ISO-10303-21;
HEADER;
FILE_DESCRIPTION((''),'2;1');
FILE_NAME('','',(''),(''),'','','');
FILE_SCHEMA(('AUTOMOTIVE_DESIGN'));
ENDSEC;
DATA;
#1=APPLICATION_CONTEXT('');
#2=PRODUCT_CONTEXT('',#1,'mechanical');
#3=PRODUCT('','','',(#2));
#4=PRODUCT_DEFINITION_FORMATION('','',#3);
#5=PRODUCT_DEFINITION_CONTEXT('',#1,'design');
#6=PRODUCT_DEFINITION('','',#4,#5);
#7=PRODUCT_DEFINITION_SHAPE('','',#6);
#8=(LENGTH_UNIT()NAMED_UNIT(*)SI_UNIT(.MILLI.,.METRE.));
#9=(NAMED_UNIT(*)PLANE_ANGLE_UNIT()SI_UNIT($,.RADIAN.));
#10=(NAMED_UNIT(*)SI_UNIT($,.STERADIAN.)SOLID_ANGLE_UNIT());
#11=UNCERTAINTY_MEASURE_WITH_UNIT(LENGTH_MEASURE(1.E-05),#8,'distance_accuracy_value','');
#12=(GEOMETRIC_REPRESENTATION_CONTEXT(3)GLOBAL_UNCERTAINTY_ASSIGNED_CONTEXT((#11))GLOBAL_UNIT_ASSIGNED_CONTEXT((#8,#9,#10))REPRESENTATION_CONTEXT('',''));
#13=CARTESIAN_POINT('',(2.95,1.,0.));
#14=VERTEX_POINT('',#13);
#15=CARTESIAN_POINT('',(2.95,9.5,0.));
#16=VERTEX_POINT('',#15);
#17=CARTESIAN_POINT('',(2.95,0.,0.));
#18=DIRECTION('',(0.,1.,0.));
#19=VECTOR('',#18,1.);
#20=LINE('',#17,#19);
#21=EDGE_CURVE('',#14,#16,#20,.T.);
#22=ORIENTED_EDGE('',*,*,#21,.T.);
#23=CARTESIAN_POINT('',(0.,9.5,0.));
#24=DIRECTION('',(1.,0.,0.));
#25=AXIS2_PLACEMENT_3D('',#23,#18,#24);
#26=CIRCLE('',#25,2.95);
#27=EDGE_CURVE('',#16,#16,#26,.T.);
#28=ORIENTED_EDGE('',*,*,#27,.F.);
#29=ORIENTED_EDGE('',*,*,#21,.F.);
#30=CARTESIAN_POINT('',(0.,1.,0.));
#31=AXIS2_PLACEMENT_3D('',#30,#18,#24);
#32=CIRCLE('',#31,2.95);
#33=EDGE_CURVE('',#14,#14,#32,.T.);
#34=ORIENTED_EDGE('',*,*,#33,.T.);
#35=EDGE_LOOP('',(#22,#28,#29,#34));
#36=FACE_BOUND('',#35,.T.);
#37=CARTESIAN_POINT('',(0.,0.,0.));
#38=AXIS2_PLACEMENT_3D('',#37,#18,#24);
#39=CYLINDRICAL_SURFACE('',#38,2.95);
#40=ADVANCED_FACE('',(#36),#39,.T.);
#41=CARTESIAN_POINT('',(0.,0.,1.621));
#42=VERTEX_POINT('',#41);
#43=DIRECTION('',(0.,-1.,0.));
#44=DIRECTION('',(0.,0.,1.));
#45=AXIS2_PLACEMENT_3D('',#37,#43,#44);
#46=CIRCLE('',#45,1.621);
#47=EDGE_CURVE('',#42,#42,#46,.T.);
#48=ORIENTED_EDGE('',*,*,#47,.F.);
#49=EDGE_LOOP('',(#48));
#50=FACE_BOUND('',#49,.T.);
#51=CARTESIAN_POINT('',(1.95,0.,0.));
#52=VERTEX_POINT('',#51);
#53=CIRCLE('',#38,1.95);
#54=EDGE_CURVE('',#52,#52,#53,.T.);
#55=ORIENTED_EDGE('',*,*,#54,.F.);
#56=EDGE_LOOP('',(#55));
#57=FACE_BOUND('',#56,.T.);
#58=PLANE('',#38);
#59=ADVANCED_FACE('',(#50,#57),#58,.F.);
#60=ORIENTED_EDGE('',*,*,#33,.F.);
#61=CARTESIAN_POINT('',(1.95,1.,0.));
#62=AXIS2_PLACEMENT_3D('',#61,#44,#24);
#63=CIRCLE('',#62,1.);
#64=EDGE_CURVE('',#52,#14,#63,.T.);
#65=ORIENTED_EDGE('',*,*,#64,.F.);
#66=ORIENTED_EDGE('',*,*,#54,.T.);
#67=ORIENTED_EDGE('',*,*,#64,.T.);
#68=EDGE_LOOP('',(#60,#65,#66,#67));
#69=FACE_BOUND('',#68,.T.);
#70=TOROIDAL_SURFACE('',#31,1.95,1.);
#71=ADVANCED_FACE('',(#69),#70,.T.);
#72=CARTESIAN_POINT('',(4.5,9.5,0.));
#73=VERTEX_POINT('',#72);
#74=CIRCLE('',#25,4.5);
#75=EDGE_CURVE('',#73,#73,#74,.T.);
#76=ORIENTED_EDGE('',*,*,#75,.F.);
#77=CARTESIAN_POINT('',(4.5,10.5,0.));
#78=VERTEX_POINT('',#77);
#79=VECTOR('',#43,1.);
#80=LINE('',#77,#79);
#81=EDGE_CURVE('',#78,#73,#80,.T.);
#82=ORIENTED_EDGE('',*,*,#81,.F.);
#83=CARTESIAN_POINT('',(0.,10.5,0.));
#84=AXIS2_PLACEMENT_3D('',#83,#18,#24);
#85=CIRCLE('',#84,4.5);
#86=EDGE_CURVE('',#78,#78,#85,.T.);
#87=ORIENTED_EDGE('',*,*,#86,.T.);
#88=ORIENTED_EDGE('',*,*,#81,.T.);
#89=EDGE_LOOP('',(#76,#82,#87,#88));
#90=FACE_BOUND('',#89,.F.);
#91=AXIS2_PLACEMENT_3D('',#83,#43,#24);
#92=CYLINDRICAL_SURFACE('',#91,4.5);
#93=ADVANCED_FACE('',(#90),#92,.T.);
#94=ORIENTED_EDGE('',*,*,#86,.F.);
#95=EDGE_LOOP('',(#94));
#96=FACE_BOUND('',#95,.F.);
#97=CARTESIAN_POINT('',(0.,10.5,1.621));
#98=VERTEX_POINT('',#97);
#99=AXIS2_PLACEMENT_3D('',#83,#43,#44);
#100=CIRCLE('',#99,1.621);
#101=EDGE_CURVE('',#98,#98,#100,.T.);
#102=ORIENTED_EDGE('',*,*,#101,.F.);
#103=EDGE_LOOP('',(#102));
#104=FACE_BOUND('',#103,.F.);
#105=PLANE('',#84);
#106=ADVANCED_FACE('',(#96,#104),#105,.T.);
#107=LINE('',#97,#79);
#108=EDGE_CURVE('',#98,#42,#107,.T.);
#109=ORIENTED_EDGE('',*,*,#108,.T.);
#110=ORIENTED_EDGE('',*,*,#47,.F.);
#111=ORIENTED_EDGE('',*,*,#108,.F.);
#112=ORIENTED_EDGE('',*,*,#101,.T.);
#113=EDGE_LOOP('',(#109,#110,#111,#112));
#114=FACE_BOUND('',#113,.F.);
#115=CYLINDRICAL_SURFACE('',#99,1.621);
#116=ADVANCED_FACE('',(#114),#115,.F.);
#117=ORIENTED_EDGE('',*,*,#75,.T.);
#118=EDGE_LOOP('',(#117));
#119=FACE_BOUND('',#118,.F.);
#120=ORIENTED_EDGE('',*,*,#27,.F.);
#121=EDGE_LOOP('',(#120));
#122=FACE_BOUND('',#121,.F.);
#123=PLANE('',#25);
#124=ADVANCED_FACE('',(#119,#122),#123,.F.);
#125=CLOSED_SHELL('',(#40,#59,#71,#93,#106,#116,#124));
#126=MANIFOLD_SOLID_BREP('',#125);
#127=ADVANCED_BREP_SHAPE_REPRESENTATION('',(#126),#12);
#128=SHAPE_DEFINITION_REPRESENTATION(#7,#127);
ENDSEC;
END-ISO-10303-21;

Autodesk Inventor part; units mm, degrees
ref_plane "YZ Plane" through (0, 0, 0) normal (1, 0, 0) x (0, 1, 0)
ref_plane "XZ Plane" through (0, 0, 0) normal (0, 1, 0) x (-1, 0, 0)
ref_plane "XY Plane" through (0, 0, 0) normal (0, 0, 1) x (1, 0, 0)
sketch "Sketch1" plane through (0, 0, 0) normal (0, 0, 1) x (1, 0, 0)
  line L0 (0, 0) -> (2.95, 0)
  line L1 (2.95, 0) -> (2.95, 9.5)
  line L2 (0, 0) -> (0, 10.5)
  line L3 (0, 10.5) -> (4.5, 10.5)
  line L4 (4.5, 10.5) -> (4.5, 9.5)
  line L5 (4.5, 9.5) -> (2.95, 9.5)
  dimension "d0" = 2.95
  dimension "d1" = 9.5
  dimension "d2" = 10.5
  dimension "d3" = 4.5
revolve "Revolution1" add sketch "Sketch1" angle 360 about axis through (0, 0, 0) along (0, 1, 0)
sketch "Sketch2" plane through (0, 10.5, 0) normal (0, 1, 0) x (1, 0, 0)
  point P0 (0, 0)
  point P1 (0, 0)
hole "Hole1" at (0, 10.5, 0) direction (0, -1, 0) diameter 3.242 end through all thread size "M4x0.7" class "6H" standard "ISO Metric profile"
fillet "Fillet1" radius 1 1 edges at (-2.95, 0, 0)
properties part number "M4 Rivet nut" material "Brass, Soft Yellow, Welded"
